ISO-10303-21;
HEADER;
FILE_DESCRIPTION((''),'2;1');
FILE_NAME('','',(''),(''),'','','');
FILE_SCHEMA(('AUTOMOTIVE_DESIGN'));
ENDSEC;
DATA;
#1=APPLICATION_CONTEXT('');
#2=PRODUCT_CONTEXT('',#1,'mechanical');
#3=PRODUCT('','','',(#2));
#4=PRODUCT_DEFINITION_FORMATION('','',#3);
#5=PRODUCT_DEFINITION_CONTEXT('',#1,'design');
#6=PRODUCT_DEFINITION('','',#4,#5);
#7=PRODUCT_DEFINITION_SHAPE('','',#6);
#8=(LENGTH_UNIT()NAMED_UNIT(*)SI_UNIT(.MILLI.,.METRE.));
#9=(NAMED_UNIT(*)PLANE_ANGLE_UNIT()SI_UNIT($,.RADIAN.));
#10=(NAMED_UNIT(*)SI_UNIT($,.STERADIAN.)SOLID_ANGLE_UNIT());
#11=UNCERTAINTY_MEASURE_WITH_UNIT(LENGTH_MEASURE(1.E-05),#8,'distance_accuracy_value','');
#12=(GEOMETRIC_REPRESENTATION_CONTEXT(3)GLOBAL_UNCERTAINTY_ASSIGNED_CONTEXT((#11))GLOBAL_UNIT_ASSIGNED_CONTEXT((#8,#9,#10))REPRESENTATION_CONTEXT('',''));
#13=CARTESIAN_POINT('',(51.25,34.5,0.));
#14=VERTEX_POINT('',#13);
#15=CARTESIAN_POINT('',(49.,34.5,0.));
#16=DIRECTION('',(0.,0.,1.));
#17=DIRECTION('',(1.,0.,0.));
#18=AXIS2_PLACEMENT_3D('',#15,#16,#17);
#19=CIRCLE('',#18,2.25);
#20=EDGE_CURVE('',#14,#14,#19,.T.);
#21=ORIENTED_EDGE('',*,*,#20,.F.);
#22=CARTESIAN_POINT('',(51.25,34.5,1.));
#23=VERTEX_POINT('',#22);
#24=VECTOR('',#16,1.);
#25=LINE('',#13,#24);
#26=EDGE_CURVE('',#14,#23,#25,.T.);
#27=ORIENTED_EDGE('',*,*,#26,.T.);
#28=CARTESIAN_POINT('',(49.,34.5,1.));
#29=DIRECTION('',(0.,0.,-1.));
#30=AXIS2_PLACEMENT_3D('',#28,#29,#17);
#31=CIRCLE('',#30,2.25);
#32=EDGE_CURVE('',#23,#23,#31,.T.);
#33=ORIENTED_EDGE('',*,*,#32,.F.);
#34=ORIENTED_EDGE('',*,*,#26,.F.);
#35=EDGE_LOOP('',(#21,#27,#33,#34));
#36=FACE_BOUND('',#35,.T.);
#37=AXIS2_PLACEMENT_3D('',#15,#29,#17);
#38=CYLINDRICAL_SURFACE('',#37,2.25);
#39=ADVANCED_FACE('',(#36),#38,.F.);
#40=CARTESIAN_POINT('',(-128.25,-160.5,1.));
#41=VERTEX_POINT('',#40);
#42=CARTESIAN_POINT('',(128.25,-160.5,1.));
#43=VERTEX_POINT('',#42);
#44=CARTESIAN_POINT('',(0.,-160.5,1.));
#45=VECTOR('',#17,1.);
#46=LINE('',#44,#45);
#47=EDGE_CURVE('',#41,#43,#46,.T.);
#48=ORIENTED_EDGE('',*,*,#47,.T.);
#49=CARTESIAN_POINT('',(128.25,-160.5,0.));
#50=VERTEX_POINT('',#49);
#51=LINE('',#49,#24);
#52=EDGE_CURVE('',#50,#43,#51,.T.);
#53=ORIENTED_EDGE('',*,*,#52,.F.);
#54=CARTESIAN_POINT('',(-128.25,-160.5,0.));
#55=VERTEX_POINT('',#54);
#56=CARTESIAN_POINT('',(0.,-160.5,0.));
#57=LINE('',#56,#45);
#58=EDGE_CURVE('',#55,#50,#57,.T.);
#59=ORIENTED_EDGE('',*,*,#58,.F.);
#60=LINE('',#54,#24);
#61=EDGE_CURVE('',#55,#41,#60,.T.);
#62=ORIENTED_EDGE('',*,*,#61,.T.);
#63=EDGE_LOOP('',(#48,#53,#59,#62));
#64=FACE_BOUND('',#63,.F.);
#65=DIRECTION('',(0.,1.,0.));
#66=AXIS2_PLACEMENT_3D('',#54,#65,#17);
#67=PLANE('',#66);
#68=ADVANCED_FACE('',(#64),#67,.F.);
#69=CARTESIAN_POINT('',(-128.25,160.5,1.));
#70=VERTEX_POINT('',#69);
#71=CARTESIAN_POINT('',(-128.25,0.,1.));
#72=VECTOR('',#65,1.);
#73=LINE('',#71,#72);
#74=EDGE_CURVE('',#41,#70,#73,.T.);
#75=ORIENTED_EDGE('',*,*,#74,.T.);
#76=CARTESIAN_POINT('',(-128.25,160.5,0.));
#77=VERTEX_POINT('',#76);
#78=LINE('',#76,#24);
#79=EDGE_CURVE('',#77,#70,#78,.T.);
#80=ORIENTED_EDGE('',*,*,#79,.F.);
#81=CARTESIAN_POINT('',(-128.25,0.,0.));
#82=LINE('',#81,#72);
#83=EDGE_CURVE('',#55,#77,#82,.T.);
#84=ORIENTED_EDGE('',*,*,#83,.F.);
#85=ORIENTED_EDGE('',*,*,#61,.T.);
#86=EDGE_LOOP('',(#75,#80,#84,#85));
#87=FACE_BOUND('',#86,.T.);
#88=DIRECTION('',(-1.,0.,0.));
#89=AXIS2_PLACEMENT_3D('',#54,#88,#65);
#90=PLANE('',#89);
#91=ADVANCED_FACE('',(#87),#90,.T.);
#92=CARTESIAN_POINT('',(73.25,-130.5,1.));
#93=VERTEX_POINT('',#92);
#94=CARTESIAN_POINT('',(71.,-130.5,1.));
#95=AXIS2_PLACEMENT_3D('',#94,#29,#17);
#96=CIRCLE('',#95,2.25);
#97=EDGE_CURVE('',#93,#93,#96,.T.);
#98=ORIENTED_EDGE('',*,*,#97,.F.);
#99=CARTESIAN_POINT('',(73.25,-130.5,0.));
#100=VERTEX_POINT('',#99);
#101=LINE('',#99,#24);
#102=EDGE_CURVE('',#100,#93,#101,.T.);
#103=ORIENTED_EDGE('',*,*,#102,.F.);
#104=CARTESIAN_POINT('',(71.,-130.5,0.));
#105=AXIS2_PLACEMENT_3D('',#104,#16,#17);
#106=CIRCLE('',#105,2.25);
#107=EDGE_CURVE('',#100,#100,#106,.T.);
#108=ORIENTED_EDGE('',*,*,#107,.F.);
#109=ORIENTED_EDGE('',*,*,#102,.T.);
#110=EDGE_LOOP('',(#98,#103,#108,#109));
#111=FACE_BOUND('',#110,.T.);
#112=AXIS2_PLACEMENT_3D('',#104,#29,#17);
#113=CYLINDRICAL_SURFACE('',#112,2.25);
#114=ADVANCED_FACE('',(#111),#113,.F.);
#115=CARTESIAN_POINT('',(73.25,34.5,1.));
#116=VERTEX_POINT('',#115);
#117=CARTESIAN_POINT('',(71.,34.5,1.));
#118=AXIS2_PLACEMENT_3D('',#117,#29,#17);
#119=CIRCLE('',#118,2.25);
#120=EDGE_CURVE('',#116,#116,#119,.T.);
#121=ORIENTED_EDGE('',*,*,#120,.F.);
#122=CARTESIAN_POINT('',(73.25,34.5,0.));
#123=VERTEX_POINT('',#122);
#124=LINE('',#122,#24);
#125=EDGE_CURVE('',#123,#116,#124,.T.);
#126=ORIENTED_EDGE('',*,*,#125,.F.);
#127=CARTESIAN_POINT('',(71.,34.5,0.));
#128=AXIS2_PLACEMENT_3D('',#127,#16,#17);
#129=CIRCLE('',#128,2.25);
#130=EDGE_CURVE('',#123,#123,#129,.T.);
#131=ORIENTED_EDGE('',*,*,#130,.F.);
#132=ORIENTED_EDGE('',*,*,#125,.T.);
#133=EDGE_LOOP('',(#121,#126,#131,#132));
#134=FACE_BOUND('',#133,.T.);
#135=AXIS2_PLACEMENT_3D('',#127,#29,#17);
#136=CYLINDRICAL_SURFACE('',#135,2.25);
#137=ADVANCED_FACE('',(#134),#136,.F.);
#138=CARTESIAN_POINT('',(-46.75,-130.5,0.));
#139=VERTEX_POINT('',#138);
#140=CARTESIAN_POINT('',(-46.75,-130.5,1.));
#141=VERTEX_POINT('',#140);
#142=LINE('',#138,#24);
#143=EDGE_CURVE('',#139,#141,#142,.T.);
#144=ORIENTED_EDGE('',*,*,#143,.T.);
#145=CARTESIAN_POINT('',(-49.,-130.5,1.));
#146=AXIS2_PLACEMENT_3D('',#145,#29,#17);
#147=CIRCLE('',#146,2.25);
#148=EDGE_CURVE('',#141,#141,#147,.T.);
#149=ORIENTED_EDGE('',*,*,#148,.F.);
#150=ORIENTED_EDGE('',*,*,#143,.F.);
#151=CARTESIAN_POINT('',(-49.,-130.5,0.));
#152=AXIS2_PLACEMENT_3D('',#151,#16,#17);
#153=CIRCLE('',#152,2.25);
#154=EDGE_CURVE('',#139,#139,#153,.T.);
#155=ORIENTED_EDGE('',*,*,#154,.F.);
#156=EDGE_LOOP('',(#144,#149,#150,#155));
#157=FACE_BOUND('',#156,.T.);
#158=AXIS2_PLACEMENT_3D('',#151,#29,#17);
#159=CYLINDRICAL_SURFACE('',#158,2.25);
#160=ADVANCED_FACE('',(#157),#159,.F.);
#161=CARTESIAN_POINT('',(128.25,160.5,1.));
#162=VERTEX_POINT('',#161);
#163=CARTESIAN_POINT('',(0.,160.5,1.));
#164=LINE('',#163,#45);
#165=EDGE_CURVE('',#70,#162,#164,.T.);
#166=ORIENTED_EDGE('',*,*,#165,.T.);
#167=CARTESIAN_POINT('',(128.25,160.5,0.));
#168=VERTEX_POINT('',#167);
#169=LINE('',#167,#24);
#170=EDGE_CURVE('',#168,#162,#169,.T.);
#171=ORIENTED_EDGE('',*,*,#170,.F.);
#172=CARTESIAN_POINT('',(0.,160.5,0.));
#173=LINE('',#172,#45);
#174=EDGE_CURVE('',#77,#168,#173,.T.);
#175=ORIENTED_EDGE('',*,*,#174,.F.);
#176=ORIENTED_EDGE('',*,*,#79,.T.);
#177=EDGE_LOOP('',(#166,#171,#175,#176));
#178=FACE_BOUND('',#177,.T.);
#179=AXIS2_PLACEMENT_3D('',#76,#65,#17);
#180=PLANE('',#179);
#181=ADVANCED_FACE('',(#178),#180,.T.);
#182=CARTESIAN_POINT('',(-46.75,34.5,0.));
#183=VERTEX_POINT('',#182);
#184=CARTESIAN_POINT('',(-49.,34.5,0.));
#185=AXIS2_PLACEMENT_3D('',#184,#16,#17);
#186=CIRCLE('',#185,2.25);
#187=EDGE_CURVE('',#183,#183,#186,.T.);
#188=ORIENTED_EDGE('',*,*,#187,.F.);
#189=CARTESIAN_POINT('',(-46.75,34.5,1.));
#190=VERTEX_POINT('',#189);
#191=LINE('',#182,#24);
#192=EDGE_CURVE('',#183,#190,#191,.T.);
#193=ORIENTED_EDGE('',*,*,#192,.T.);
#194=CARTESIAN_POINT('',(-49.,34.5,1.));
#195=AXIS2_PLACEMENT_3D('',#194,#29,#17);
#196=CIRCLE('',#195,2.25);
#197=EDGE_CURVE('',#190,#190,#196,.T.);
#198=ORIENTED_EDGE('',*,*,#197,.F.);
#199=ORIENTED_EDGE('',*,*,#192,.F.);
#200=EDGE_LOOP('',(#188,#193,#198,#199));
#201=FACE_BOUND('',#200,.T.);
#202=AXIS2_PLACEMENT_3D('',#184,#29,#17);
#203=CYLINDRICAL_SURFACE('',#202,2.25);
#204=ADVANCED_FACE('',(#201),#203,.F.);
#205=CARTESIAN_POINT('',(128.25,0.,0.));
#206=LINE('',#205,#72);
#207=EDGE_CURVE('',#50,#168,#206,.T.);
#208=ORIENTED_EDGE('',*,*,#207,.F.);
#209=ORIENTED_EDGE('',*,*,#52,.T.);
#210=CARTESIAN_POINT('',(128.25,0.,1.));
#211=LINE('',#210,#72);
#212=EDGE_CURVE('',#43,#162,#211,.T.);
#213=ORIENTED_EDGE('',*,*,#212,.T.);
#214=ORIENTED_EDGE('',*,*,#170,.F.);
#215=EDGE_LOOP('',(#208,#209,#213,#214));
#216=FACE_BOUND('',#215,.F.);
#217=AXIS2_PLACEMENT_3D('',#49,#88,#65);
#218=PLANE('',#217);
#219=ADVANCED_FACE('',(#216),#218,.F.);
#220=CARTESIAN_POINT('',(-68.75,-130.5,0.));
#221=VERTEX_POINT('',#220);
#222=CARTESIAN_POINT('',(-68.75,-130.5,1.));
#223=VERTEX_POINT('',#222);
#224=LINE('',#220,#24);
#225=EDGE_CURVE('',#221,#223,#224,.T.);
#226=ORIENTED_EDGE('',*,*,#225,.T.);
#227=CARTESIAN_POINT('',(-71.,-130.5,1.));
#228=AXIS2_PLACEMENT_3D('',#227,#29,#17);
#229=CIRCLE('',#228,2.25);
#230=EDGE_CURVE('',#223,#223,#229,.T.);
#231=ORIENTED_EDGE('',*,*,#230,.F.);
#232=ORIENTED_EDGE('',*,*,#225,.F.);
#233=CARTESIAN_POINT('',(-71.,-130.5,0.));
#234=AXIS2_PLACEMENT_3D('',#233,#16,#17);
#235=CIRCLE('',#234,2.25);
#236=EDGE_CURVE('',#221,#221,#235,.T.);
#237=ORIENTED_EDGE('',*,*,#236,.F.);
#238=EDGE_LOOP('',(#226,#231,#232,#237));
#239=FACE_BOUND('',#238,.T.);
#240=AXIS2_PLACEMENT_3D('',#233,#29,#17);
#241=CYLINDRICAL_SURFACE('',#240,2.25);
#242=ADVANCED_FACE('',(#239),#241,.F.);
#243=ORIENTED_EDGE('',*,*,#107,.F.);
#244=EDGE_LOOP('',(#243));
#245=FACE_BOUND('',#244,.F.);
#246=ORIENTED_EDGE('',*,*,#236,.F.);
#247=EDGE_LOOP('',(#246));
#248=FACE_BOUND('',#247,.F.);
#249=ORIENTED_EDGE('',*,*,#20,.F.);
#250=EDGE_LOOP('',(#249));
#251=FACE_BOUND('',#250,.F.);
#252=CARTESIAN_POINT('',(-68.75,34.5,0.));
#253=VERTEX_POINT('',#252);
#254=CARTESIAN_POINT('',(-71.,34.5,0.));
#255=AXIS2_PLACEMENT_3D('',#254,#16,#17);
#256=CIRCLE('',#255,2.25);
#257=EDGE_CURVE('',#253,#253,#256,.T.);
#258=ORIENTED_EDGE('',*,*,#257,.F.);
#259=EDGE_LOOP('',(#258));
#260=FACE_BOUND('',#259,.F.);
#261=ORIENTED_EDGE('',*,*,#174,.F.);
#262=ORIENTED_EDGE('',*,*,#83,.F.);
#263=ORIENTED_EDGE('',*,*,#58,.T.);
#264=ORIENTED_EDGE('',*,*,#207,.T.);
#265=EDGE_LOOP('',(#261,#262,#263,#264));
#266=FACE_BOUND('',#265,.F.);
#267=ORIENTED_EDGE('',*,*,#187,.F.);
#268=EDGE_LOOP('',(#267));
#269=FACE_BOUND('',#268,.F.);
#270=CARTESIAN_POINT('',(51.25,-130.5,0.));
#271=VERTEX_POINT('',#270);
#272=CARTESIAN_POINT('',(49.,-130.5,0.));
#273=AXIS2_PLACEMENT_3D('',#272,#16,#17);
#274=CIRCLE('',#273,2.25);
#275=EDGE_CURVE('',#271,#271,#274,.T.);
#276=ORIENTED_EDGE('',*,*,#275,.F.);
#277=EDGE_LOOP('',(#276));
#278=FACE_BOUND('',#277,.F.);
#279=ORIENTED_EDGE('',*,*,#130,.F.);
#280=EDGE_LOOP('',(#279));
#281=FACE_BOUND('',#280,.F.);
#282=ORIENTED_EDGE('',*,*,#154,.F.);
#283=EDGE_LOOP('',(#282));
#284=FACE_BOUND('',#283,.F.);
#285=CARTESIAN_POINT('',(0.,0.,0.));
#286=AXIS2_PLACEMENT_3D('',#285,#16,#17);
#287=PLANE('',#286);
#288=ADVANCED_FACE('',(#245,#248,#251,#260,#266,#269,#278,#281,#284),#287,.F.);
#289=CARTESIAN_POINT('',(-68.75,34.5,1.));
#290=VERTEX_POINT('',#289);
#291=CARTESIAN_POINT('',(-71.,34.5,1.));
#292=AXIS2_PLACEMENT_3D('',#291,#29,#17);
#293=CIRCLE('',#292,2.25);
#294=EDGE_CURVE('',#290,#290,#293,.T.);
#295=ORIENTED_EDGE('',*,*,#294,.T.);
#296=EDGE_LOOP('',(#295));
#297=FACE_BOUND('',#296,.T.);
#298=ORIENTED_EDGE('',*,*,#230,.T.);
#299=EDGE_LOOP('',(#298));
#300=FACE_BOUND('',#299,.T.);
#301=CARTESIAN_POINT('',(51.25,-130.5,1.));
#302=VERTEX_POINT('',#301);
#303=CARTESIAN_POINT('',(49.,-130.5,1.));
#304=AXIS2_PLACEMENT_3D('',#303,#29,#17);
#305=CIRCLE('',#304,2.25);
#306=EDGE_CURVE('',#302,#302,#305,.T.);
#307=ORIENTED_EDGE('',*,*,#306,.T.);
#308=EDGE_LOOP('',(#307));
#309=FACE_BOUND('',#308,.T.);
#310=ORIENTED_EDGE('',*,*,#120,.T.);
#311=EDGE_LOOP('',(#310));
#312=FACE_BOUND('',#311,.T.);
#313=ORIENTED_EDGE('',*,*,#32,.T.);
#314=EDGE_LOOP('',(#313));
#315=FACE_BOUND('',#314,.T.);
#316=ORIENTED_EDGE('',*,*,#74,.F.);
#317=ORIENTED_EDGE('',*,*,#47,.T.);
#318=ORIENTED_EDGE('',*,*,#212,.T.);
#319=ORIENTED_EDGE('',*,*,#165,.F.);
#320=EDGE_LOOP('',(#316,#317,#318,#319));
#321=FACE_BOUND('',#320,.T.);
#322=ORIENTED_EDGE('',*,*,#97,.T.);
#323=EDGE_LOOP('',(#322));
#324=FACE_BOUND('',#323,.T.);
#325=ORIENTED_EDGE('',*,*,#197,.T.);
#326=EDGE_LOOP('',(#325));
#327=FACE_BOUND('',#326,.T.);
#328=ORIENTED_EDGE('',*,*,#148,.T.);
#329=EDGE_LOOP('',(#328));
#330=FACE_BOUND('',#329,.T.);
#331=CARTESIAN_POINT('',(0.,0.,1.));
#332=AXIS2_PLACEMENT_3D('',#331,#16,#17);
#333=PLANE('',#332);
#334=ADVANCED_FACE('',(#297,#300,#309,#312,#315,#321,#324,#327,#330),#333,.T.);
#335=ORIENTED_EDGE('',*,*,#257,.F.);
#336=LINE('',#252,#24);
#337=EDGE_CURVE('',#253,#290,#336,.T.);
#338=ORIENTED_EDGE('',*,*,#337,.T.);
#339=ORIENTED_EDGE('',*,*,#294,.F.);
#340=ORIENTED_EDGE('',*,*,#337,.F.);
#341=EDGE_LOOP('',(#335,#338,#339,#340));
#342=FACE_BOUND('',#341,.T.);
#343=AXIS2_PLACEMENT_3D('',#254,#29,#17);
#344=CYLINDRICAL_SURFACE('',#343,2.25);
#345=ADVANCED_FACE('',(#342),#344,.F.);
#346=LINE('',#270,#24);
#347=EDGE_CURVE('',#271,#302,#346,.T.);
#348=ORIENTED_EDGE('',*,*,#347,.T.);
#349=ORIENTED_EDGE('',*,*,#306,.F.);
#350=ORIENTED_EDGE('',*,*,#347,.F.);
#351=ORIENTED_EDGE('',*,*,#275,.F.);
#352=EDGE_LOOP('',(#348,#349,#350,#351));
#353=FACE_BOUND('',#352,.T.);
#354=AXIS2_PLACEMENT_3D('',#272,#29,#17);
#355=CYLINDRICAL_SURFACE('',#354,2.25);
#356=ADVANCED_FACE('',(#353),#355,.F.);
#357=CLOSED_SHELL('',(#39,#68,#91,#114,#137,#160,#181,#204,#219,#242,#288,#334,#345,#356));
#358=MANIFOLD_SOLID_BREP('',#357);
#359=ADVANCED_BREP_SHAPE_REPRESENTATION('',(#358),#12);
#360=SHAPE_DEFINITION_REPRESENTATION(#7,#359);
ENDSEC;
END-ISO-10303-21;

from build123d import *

# Parameters (mm, degrees)
F0_W     = 256.5
F0_H     = 321
F1_DEPTH = 1
F2_R     = 2.25
F3_DEPTH = 1.001


with BuildPart() as f1:
    # F0 (on Top) → F1 (new body)
    with BuildSketch(Plane.XY):
        Rectangle(F0_W, F0_H)
    extrude(amount=F1_DEPTH)

    # F2 (on face) → F3 (cut, through all)
    with BuildSketch(Plane.XY):
        with Locations((-71, 34.5)):
            Circle(F2_R)
        with Locations((-49, 34.5)):
            Circle(F2_R)
        with Locations((-71, -130.5)):
            Circle(F2_R)
        with Locations((-49, -130.5)):
            Circle(F2_R)
        with Locations((71, 34.5)):
            Circle(F2_R)
        with Locations((49, 34.5)):
            Circle(F2_R)
        with Locations((49, -130.5)):
            Circle(F2_R)
        with Locations((71, -130.5)):
            Circle(F2_R)
    extrude(amount=F3_DEPTH, mode=Mode.SUBTRACT)


solid = f1.part
